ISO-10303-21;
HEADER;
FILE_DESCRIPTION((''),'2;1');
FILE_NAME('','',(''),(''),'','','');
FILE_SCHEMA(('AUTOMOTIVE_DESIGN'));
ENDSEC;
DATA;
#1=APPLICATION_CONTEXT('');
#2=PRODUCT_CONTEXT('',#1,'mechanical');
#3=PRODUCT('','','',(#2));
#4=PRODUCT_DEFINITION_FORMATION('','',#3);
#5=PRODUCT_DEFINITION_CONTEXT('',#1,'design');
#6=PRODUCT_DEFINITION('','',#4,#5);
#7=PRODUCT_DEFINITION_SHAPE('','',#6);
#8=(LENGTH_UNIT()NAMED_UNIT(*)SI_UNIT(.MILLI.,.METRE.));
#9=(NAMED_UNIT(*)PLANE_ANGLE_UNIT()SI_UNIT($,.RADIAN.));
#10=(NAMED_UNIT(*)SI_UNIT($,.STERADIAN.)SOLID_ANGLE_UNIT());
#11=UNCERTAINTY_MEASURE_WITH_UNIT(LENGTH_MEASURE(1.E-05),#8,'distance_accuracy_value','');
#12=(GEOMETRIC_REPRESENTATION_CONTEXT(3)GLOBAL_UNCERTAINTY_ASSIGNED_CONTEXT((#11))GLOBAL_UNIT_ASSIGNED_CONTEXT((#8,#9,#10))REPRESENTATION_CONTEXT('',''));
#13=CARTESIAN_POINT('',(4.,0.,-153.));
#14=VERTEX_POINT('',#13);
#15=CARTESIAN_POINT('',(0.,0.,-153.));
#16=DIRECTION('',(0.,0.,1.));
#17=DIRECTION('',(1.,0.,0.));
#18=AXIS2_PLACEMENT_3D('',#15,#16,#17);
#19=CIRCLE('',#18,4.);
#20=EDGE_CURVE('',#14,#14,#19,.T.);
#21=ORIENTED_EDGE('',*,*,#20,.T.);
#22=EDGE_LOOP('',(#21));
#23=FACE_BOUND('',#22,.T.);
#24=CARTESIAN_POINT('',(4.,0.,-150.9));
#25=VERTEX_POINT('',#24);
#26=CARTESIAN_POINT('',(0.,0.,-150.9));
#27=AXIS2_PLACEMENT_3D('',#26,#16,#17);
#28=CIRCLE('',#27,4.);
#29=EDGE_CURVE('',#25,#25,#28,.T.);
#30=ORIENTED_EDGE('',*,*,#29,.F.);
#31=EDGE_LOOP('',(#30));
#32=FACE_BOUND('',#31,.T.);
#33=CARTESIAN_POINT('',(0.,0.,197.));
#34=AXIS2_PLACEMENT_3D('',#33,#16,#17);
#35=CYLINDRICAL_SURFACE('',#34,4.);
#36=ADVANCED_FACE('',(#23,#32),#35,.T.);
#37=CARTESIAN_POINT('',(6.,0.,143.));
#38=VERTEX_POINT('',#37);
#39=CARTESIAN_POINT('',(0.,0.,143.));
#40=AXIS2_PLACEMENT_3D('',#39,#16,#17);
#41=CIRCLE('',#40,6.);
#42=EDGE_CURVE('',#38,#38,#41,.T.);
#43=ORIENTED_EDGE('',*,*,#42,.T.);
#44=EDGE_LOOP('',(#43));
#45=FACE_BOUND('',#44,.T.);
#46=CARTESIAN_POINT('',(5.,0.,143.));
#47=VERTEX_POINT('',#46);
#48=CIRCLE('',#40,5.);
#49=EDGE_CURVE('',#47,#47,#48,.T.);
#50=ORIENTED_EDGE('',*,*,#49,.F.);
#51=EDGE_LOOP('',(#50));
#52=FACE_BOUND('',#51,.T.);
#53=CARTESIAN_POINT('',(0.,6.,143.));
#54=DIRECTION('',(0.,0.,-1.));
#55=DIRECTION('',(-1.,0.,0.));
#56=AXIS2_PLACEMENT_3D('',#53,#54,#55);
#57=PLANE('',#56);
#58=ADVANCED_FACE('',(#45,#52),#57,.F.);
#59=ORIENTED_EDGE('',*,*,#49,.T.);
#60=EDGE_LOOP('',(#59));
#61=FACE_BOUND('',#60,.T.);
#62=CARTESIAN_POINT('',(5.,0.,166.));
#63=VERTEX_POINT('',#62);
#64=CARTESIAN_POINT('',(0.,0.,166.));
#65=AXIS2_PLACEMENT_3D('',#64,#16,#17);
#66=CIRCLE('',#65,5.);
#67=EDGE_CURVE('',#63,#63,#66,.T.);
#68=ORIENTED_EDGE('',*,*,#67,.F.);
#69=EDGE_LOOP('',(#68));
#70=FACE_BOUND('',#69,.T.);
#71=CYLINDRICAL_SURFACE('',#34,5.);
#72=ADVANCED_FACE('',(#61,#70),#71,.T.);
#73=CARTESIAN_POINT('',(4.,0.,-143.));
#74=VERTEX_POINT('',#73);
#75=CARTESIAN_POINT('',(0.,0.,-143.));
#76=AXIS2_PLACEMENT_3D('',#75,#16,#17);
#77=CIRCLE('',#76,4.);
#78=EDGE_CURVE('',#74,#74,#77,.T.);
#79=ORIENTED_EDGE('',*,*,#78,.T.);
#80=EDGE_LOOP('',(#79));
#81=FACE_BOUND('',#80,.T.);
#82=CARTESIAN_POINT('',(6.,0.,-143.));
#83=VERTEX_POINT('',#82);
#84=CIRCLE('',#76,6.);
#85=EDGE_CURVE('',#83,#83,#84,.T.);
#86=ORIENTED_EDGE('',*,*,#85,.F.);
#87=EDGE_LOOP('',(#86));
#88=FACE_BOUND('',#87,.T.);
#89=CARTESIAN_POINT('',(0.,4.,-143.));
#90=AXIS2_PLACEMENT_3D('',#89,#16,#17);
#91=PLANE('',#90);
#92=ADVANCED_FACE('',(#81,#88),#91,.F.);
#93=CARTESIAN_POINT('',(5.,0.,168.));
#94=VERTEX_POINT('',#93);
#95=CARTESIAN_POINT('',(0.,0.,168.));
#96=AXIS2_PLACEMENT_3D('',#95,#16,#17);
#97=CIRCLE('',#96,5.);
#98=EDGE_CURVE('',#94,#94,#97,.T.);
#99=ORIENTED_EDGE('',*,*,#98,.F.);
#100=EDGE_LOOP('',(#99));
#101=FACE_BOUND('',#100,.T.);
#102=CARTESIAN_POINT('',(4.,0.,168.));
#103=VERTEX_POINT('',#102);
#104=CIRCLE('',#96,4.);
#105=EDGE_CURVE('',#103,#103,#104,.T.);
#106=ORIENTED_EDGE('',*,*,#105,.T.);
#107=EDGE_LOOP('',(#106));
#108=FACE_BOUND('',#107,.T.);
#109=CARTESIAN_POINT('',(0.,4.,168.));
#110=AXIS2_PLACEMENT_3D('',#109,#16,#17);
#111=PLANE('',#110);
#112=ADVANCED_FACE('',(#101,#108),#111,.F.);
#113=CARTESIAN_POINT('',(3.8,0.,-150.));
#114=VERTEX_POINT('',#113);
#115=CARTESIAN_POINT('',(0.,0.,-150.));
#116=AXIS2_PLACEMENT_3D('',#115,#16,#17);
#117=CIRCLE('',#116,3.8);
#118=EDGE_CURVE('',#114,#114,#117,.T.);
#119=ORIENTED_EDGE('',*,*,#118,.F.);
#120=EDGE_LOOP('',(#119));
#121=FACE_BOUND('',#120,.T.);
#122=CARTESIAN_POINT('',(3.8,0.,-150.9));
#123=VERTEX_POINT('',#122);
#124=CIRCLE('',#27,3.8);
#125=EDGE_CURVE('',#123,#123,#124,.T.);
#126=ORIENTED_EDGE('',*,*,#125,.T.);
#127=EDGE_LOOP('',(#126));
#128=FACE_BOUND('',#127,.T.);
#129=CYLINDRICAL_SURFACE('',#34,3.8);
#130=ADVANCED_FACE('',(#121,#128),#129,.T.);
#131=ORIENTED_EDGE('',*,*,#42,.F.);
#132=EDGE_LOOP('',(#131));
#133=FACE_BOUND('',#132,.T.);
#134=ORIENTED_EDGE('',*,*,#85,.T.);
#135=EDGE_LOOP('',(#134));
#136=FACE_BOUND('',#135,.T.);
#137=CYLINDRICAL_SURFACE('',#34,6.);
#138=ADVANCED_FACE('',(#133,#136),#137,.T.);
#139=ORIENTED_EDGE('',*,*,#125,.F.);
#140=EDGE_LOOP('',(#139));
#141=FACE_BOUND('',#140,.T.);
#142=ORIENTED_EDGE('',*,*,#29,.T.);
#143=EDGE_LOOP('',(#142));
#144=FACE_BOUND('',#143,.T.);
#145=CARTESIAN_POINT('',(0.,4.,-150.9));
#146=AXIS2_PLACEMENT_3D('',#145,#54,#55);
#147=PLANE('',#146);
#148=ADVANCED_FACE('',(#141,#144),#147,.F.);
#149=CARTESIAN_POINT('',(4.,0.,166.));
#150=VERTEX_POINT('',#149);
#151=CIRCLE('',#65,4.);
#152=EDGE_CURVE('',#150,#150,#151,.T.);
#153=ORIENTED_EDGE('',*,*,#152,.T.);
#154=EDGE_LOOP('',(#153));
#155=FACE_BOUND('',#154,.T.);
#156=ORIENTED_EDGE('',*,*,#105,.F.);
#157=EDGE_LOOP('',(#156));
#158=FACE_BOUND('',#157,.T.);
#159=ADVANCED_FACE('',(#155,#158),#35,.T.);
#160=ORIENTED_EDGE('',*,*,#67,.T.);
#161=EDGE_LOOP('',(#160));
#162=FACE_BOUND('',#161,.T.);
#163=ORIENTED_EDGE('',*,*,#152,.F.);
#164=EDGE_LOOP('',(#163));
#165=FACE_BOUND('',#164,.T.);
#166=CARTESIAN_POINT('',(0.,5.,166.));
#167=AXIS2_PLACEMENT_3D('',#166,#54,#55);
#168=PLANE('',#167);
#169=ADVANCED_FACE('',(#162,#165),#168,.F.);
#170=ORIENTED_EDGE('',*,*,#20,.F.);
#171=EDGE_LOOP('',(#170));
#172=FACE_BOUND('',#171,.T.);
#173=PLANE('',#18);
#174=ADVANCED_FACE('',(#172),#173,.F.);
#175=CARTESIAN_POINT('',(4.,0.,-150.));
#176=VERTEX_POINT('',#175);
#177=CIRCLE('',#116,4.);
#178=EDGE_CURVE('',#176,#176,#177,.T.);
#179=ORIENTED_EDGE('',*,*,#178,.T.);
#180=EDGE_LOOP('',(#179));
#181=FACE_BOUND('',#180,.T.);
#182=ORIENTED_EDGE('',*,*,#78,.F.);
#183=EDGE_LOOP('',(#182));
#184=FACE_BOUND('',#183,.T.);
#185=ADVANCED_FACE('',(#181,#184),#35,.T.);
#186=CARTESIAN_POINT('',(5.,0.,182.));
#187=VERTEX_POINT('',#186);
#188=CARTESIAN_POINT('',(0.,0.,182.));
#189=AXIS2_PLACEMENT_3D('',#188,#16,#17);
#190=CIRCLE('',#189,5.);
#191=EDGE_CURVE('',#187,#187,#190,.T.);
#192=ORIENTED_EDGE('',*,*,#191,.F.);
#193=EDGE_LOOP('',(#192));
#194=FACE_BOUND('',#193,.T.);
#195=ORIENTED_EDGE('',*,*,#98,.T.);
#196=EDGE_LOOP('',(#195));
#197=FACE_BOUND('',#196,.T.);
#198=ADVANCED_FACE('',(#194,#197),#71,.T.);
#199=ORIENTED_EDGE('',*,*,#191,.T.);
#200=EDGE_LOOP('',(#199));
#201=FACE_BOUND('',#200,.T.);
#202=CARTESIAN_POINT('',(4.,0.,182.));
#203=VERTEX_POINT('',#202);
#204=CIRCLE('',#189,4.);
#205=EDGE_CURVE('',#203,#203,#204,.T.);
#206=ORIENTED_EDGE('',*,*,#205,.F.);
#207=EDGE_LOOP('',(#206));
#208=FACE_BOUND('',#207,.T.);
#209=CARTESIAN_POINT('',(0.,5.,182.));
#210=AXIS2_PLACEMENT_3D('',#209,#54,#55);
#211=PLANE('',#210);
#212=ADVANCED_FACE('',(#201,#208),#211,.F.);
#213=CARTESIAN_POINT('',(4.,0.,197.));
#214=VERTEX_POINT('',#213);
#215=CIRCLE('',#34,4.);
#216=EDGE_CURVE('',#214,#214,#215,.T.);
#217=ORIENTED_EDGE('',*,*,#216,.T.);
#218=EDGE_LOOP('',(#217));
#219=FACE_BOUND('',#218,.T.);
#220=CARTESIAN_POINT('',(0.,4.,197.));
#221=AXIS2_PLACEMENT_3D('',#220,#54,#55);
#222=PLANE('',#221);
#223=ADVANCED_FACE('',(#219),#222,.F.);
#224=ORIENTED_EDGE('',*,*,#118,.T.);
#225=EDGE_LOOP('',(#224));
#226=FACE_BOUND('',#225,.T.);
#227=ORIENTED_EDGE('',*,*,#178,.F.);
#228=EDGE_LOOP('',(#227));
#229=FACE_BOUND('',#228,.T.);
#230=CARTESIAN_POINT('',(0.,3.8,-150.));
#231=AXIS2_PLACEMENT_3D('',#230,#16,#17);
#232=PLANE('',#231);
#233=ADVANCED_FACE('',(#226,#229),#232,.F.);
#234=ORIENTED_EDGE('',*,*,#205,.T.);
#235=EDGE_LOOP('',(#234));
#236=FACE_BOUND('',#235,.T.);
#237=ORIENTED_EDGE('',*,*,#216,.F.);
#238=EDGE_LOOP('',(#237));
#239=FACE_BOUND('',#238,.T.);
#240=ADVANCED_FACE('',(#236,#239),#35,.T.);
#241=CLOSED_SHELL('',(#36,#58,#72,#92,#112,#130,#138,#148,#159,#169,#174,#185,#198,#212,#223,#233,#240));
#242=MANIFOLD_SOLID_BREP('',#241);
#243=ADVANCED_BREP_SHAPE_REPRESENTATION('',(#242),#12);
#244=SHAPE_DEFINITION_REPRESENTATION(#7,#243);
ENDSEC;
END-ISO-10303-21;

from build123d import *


with BuildPart() as part:
    # Sketch1 → Revolve1 (revolve)
    with BuildSketch(Plane(origin=(0, 0, 0), x_dir=(0, 0, -1), z_dir=(1, 0, 0)), mode=Mode.PRIVATE) as revolve1_sk:
        Polygon((-197, 0), (153, 0), (153, 4), (150.9, 4), (150.9, 3.8), (150, 3.8), (150, 4), (143, 4), (143, 6), (-143, 6), (-143, 5), (-166, 5), (-166, 4), (-168, 4), (-168, 5), (-182, 5), (-182, 4), (-197, 4), align=None)
    revolve(revolve1_sk.sketch.rotate(Axis((0, 0, 197), (0, 0, -1)), 90), axis=Axis((0, 0, 197), (0, 0, -1)))


solid = part.part
